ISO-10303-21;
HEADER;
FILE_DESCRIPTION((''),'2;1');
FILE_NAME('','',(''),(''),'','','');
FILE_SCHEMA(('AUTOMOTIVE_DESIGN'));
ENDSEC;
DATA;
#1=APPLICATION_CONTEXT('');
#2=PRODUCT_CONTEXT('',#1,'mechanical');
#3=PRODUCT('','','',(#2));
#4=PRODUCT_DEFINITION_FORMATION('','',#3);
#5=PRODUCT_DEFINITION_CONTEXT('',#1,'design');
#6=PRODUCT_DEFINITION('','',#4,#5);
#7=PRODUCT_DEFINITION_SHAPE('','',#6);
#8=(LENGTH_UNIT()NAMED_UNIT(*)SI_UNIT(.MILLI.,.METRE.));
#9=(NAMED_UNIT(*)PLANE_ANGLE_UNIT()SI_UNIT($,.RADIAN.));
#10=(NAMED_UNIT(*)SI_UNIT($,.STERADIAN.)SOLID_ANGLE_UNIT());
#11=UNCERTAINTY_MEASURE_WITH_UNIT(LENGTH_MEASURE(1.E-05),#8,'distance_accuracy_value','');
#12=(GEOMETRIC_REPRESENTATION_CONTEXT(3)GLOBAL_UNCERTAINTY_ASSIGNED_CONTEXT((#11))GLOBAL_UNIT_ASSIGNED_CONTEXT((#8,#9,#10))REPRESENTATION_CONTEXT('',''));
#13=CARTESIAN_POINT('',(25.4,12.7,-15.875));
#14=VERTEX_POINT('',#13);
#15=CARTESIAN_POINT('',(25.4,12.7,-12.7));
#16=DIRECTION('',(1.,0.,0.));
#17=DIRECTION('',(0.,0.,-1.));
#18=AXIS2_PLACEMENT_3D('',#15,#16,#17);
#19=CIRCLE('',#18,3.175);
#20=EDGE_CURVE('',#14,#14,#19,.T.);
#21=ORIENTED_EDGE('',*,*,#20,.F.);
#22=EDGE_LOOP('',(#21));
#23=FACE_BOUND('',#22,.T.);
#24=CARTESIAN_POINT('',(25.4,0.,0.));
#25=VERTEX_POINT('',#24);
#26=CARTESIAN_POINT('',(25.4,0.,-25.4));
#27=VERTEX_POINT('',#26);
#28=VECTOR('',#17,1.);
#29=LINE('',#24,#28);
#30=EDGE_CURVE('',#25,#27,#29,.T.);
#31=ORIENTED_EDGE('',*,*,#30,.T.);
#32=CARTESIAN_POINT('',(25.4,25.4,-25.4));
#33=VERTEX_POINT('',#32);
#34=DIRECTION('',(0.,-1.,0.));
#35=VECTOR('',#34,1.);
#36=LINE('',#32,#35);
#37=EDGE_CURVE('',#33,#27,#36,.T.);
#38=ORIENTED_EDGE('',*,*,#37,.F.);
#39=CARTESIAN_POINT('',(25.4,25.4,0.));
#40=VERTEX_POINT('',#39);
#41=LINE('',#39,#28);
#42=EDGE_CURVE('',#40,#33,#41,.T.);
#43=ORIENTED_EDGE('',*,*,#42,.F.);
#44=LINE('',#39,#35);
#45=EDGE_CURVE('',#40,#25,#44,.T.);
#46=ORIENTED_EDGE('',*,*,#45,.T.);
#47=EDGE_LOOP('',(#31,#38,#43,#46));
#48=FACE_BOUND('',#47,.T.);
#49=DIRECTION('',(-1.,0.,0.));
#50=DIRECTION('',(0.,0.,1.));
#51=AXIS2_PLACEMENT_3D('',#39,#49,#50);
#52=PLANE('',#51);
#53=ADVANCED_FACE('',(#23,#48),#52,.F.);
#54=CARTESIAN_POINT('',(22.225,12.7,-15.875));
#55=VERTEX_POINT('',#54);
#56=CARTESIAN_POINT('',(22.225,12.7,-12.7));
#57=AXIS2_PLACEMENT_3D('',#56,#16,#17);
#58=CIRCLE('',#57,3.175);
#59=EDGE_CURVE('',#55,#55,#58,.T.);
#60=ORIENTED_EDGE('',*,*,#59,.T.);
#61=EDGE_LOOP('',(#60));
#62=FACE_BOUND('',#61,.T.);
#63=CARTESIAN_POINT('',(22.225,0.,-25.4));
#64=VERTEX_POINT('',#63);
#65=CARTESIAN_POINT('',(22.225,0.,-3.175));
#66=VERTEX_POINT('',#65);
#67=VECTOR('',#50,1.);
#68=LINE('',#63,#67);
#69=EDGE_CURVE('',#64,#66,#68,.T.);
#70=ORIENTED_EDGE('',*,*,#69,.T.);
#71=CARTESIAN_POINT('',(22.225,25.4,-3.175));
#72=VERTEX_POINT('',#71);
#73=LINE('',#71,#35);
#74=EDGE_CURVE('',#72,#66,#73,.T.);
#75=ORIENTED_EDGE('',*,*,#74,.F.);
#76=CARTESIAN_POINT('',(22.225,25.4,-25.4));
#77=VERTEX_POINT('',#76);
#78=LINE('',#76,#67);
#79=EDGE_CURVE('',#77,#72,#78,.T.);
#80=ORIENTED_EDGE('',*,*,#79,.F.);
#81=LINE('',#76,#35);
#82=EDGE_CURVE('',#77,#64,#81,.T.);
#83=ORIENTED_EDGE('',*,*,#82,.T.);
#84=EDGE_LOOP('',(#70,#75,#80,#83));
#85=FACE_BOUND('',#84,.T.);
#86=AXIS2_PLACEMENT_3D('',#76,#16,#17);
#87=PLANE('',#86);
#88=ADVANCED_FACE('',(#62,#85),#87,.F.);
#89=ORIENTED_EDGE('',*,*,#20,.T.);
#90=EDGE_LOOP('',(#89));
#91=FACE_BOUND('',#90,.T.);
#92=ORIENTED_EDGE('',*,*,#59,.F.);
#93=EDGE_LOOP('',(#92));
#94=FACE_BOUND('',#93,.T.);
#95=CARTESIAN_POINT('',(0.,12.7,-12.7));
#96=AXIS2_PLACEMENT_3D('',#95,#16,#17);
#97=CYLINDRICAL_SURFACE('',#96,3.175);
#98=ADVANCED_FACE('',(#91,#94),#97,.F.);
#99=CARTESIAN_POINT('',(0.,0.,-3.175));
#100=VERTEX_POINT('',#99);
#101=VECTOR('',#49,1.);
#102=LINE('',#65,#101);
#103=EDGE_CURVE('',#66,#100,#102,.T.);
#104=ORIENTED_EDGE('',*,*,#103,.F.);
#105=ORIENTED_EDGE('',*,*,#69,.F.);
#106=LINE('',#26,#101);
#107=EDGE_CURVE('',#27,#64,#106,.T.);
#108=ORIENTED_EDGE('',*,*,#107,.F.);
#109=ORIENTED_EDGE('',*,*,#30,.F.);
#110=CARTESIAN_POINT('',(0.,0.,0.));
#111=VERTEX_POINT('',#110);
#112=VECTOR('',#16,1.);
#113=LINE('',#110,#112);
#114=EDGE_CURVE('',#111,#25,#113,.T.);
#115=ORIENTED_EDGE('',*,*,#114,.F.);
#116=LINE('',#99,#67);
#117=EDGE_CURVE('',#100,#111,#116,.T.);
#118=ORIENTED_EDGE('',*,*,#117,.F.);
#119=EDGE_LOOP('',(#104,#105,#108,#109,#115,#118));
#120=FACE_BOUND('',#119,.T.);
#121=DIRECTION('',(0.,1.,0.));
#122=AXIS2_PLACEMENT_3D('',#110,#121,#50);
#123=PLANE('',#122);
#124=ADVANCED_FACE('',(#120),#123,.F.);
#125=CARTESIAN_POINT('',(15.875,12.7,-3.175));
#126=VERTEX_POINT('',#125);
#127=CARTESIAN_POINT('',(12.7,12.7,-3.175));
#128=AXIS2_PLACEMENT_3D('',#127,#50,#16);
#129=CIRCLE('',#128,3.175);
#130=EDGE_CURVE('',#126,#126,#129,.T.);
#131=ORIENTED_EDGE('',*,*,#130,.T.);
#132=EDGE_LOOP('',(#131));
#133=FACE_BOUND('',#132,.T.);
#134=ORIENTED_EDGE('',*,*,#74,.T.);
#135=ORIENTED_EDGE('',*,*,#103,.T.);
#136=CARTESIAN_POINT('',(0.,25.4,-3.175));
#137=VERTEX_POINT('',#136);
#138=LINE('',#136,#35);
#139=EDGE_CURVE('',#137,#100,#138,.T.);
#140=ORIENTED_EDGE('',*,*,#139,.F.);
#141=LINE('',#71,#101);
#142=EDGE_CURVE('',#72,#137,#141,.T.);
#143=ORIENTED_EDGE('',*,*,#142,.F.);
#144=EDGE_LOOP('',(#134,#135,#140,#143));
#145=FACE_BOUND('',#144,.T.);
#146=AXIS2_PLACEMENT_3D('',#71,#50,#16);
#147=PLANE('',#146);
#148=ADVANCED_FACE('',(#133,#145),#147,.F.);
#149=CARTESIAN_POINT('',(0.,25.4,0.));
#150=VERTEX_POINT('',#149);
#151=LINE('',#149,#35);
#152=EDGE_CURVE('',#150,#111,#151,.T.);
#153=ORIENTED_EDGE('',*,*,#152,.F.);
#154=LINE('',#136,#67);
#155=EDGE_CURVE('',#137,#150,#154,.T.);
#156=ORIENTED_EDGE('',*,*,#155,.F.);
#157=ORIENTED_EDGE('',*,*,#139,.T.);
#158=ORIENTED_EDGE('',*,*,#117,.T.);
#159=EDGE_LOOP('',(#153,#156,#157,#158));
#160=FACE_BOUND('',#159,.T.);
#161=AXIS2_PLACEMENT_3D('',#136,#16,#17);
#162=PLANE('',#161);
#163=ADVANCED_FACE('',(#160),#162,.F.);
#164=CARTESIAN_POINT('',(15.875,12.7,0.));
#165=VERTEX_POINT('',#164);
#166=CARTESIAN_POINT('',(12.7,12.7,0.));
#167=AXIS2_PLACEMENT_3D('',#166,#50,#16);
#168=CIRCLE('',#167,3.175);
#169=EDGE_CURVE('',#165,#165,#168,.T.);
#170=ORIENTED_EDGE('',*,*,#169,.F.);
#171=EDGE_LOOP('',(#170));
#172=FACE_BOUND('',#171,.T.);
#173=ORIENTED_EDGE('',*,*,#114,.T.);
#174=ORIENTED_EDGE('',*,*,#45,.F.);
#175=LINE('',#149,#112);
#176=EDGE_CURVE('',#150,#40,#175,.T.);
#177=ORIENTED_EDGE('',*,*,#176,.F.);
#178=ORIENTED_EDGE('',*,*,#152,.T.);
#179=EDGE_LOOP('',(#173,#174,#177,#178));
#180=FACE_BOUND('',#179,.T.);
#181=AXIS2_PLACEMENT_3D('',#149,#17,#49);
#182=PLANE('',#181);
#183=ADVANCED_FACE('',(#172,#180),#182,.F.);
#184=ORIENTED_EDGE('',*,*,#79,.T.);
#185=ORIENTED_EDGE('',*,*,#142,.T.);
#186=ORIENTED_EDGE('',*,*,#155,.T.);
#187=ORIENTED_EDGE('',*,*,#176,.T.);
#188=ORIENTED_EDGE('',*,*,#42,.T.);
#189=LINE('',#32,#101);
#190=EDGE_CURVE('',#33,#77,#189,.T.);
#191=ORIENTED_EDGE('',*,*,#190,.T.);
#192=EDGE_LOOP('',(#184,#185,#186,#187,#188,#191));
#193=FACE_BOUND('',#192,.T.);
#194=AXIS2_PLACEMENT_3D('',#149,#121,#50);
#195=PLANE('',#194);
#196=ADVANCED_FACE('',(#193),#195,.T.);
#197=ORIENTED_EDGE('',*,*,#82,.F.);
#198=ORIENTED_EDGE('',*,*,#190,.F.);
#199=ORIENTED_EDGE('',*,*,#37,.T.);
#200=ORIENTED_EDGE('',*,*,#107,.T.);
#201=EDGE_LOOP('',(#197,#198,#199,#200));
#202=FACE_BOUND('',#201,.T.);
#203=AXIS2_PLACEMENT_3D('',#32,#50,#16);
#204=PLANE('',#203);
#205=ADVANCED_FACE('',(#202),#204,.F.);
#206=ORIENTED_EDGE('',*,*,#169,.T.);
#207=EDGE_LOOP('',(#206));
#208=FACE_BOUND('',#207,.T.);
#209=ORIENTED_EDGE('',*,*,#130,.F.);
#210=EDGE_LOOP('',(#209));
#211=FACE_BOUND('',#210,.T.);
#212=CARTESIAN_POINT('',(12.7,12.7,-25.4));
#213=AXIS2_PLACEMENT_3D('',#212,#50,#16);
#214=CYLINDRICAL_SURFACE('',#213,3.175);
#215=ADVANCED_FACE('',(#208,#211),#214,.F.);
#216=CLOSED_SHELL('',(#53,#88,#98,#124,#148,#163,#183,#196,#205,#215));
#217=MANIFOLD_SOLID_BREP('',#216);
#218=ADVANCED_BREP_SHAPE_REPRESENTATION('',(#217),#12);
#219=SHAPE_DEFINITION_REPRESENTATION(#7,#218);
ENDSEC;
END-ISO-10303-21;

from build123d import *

# Parameters (mm, degrees)
BOSS_EXTRUDE1_DEPTH = 25.4
SKETCH2_R           = 3.175
CUT_EXTRUDE1_DEPTH  = 25.4
SKETCH3_R           = 3.175
CUT_EXTRUDE2_DEPTH  = 25.4


with BuildPart() as part:
    # Sketch1 → Boss-Extrude1 (new body)
    with BuildSketch(Plane(origin=(0, 0, 0), x_dir=(1, 0, 0), z_dir=(0, 1, 0))):
        Polygon((0, 0), (25.4, 0), (25.4, 25.4), (22.225, 25.4), (22.225, 3.175), (0, 3.175), align=None)
    extrude(amount=BOSS_EXTRUDE1_DEPTH)

    # Sketch2 → Cut-Extrude1 (cut)
    with BuildSketch(Plane(origin=(25.4, 0, 0), x_dir=(0, 0, -1), z_dir=(1, 0, 0))):
        with Locations((12.7, 12.7)):
            Circle(SKETCH2_R)
    extrude(amount=-CUT_EXTRUDE1_DEPTH, mode=Mode.SUBTRACT)

    # Sketch3 → Cut-Extrude2 (cut)
    with BuildSketch(Plane.XY):
        with Locations((12.7, 12.7)):
            Circle(SKETCH3_R)
    extrude(amount=-CUT_EXTRUDE2_DEPTH, mode=Mode.SUBTRACT)


solid = part.part
